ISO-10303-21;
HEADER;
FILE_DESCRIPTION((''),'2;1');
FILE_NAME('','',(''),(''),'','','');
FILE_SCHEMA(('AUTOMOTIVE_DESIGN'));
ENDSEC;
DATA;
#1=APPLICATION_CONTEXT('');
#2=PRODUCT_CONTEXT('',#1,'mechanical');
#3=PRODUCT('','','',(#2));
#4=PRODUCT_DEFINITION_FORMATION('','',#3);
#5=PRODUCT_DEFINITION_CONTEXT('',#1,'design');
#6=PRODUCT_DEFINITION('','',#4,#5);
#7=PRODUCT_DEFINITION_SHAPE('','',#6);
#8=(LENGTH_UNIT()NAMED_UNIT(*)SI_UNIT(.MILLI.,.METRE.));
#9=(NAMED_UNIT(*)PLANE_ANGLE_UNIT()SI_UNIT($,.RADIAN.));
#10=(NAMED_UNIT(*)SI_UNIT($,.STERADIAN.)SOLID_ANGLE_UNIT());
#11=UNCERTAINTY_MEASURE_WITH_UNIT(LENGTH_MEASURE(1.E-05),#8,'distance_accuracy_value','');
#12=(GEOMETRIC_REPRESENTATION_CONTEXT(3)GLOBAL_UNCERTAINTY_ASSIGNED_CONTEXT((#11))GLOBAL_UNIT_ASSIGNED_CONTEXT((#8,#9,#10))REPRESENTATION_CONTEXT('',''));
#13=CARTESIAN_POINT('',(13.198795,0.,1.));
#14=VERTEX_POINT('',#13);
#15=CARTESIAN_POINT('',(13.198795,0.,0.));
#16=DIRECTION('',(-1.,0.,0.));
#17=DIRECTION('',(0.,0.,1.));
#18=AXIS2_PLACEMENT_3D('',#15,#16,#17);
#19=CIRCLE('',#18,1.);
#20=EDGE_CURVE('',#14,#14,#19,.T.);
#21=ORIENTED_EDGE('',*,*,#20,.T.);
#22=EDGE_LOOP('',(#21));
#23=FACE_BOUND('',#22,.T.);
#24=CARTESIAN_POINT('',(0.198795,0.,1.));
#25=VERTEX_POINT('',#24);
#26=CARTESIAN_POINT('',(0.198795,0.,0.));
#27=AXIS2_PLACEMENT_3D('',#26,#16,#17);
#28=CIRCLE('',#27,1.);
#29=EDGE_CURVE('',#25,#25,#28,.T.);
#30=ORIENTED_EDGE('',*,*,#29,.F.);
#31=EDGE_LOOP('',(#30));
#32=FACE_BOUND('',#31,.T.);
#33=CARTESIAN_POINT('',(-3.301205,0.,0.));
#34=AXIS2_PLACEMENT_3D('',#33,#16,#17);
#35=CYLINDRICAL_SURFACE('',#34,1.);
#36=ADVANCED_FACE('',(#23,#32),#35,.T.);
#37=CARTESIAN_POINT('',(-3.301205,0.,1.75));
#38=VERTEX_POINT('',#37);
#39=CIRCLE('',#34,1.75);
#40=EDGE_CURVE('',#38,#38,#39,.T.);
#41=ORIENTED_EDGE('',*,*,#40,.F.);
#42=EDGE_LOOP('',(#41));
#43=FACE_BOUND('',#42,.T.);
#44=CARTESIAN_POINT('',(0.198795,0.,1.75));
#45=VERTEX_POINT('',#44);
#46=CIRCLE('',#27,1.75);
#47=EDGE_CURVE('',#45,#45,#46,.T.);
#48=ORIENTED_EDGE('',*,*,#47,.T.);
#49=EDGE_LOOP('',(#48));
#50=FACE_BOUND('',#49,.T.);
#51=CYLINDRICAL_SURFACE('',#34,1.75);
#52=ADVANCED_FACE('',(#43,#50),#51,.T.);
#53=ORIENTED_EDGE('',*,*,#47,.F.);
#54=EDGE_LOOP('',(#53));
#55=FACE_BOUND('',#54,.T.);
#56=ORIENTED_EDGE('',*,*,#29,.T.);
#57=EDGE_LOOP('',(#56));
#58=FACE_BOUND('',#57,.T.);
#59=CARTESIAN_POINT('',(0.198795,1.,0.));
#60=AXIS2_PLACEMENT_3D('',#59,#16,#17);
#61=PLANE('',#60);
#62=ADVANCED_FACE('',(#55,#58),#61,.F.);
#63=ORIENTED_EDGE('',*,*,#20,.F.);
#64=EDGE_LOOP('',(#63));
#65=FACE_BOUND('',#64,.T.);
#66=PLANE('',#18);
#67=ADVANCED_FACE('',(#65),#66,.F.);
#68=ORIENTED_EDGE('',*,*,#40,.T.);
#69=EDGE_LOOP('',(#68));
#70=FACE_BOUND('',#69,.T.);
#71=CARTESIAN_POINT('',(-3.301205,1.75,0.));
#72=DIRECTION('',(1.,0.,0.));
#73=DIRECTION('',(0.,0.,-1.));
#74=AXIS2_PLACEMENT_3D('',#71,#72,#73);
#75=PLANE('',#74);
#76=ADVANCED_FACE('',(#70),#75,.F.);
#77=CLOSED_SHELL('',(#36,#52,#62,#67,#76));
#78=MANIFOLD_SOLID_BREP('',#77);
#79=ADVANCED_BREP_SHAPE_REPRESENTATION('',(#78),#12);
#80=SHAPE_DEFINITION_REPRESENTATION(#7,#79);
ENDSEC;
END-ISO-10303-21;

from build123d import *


with BuildPart() as part:
    # Sketch1 → Revolve1 (revolve)
    with BuildSketch(Plane.XY, mode=Mode.PRIVATE) as revolve1_sk:
        Polygon((0, 0), (13.198795181, 0), (13.198795181, 1), (0.198795181, 1), (0.198795181, 1.75), (-3.301204819, 1.75), (-3.301204819, 0), align=None)
    revolve(revolve1_sk.sketch.rotate(Axis((-3.301204819, 0, 0), (1, 0, 0)), 90), axis=Axis((-3.301204819, 0, 0), (1, 0, 0)))


solid = part.part
